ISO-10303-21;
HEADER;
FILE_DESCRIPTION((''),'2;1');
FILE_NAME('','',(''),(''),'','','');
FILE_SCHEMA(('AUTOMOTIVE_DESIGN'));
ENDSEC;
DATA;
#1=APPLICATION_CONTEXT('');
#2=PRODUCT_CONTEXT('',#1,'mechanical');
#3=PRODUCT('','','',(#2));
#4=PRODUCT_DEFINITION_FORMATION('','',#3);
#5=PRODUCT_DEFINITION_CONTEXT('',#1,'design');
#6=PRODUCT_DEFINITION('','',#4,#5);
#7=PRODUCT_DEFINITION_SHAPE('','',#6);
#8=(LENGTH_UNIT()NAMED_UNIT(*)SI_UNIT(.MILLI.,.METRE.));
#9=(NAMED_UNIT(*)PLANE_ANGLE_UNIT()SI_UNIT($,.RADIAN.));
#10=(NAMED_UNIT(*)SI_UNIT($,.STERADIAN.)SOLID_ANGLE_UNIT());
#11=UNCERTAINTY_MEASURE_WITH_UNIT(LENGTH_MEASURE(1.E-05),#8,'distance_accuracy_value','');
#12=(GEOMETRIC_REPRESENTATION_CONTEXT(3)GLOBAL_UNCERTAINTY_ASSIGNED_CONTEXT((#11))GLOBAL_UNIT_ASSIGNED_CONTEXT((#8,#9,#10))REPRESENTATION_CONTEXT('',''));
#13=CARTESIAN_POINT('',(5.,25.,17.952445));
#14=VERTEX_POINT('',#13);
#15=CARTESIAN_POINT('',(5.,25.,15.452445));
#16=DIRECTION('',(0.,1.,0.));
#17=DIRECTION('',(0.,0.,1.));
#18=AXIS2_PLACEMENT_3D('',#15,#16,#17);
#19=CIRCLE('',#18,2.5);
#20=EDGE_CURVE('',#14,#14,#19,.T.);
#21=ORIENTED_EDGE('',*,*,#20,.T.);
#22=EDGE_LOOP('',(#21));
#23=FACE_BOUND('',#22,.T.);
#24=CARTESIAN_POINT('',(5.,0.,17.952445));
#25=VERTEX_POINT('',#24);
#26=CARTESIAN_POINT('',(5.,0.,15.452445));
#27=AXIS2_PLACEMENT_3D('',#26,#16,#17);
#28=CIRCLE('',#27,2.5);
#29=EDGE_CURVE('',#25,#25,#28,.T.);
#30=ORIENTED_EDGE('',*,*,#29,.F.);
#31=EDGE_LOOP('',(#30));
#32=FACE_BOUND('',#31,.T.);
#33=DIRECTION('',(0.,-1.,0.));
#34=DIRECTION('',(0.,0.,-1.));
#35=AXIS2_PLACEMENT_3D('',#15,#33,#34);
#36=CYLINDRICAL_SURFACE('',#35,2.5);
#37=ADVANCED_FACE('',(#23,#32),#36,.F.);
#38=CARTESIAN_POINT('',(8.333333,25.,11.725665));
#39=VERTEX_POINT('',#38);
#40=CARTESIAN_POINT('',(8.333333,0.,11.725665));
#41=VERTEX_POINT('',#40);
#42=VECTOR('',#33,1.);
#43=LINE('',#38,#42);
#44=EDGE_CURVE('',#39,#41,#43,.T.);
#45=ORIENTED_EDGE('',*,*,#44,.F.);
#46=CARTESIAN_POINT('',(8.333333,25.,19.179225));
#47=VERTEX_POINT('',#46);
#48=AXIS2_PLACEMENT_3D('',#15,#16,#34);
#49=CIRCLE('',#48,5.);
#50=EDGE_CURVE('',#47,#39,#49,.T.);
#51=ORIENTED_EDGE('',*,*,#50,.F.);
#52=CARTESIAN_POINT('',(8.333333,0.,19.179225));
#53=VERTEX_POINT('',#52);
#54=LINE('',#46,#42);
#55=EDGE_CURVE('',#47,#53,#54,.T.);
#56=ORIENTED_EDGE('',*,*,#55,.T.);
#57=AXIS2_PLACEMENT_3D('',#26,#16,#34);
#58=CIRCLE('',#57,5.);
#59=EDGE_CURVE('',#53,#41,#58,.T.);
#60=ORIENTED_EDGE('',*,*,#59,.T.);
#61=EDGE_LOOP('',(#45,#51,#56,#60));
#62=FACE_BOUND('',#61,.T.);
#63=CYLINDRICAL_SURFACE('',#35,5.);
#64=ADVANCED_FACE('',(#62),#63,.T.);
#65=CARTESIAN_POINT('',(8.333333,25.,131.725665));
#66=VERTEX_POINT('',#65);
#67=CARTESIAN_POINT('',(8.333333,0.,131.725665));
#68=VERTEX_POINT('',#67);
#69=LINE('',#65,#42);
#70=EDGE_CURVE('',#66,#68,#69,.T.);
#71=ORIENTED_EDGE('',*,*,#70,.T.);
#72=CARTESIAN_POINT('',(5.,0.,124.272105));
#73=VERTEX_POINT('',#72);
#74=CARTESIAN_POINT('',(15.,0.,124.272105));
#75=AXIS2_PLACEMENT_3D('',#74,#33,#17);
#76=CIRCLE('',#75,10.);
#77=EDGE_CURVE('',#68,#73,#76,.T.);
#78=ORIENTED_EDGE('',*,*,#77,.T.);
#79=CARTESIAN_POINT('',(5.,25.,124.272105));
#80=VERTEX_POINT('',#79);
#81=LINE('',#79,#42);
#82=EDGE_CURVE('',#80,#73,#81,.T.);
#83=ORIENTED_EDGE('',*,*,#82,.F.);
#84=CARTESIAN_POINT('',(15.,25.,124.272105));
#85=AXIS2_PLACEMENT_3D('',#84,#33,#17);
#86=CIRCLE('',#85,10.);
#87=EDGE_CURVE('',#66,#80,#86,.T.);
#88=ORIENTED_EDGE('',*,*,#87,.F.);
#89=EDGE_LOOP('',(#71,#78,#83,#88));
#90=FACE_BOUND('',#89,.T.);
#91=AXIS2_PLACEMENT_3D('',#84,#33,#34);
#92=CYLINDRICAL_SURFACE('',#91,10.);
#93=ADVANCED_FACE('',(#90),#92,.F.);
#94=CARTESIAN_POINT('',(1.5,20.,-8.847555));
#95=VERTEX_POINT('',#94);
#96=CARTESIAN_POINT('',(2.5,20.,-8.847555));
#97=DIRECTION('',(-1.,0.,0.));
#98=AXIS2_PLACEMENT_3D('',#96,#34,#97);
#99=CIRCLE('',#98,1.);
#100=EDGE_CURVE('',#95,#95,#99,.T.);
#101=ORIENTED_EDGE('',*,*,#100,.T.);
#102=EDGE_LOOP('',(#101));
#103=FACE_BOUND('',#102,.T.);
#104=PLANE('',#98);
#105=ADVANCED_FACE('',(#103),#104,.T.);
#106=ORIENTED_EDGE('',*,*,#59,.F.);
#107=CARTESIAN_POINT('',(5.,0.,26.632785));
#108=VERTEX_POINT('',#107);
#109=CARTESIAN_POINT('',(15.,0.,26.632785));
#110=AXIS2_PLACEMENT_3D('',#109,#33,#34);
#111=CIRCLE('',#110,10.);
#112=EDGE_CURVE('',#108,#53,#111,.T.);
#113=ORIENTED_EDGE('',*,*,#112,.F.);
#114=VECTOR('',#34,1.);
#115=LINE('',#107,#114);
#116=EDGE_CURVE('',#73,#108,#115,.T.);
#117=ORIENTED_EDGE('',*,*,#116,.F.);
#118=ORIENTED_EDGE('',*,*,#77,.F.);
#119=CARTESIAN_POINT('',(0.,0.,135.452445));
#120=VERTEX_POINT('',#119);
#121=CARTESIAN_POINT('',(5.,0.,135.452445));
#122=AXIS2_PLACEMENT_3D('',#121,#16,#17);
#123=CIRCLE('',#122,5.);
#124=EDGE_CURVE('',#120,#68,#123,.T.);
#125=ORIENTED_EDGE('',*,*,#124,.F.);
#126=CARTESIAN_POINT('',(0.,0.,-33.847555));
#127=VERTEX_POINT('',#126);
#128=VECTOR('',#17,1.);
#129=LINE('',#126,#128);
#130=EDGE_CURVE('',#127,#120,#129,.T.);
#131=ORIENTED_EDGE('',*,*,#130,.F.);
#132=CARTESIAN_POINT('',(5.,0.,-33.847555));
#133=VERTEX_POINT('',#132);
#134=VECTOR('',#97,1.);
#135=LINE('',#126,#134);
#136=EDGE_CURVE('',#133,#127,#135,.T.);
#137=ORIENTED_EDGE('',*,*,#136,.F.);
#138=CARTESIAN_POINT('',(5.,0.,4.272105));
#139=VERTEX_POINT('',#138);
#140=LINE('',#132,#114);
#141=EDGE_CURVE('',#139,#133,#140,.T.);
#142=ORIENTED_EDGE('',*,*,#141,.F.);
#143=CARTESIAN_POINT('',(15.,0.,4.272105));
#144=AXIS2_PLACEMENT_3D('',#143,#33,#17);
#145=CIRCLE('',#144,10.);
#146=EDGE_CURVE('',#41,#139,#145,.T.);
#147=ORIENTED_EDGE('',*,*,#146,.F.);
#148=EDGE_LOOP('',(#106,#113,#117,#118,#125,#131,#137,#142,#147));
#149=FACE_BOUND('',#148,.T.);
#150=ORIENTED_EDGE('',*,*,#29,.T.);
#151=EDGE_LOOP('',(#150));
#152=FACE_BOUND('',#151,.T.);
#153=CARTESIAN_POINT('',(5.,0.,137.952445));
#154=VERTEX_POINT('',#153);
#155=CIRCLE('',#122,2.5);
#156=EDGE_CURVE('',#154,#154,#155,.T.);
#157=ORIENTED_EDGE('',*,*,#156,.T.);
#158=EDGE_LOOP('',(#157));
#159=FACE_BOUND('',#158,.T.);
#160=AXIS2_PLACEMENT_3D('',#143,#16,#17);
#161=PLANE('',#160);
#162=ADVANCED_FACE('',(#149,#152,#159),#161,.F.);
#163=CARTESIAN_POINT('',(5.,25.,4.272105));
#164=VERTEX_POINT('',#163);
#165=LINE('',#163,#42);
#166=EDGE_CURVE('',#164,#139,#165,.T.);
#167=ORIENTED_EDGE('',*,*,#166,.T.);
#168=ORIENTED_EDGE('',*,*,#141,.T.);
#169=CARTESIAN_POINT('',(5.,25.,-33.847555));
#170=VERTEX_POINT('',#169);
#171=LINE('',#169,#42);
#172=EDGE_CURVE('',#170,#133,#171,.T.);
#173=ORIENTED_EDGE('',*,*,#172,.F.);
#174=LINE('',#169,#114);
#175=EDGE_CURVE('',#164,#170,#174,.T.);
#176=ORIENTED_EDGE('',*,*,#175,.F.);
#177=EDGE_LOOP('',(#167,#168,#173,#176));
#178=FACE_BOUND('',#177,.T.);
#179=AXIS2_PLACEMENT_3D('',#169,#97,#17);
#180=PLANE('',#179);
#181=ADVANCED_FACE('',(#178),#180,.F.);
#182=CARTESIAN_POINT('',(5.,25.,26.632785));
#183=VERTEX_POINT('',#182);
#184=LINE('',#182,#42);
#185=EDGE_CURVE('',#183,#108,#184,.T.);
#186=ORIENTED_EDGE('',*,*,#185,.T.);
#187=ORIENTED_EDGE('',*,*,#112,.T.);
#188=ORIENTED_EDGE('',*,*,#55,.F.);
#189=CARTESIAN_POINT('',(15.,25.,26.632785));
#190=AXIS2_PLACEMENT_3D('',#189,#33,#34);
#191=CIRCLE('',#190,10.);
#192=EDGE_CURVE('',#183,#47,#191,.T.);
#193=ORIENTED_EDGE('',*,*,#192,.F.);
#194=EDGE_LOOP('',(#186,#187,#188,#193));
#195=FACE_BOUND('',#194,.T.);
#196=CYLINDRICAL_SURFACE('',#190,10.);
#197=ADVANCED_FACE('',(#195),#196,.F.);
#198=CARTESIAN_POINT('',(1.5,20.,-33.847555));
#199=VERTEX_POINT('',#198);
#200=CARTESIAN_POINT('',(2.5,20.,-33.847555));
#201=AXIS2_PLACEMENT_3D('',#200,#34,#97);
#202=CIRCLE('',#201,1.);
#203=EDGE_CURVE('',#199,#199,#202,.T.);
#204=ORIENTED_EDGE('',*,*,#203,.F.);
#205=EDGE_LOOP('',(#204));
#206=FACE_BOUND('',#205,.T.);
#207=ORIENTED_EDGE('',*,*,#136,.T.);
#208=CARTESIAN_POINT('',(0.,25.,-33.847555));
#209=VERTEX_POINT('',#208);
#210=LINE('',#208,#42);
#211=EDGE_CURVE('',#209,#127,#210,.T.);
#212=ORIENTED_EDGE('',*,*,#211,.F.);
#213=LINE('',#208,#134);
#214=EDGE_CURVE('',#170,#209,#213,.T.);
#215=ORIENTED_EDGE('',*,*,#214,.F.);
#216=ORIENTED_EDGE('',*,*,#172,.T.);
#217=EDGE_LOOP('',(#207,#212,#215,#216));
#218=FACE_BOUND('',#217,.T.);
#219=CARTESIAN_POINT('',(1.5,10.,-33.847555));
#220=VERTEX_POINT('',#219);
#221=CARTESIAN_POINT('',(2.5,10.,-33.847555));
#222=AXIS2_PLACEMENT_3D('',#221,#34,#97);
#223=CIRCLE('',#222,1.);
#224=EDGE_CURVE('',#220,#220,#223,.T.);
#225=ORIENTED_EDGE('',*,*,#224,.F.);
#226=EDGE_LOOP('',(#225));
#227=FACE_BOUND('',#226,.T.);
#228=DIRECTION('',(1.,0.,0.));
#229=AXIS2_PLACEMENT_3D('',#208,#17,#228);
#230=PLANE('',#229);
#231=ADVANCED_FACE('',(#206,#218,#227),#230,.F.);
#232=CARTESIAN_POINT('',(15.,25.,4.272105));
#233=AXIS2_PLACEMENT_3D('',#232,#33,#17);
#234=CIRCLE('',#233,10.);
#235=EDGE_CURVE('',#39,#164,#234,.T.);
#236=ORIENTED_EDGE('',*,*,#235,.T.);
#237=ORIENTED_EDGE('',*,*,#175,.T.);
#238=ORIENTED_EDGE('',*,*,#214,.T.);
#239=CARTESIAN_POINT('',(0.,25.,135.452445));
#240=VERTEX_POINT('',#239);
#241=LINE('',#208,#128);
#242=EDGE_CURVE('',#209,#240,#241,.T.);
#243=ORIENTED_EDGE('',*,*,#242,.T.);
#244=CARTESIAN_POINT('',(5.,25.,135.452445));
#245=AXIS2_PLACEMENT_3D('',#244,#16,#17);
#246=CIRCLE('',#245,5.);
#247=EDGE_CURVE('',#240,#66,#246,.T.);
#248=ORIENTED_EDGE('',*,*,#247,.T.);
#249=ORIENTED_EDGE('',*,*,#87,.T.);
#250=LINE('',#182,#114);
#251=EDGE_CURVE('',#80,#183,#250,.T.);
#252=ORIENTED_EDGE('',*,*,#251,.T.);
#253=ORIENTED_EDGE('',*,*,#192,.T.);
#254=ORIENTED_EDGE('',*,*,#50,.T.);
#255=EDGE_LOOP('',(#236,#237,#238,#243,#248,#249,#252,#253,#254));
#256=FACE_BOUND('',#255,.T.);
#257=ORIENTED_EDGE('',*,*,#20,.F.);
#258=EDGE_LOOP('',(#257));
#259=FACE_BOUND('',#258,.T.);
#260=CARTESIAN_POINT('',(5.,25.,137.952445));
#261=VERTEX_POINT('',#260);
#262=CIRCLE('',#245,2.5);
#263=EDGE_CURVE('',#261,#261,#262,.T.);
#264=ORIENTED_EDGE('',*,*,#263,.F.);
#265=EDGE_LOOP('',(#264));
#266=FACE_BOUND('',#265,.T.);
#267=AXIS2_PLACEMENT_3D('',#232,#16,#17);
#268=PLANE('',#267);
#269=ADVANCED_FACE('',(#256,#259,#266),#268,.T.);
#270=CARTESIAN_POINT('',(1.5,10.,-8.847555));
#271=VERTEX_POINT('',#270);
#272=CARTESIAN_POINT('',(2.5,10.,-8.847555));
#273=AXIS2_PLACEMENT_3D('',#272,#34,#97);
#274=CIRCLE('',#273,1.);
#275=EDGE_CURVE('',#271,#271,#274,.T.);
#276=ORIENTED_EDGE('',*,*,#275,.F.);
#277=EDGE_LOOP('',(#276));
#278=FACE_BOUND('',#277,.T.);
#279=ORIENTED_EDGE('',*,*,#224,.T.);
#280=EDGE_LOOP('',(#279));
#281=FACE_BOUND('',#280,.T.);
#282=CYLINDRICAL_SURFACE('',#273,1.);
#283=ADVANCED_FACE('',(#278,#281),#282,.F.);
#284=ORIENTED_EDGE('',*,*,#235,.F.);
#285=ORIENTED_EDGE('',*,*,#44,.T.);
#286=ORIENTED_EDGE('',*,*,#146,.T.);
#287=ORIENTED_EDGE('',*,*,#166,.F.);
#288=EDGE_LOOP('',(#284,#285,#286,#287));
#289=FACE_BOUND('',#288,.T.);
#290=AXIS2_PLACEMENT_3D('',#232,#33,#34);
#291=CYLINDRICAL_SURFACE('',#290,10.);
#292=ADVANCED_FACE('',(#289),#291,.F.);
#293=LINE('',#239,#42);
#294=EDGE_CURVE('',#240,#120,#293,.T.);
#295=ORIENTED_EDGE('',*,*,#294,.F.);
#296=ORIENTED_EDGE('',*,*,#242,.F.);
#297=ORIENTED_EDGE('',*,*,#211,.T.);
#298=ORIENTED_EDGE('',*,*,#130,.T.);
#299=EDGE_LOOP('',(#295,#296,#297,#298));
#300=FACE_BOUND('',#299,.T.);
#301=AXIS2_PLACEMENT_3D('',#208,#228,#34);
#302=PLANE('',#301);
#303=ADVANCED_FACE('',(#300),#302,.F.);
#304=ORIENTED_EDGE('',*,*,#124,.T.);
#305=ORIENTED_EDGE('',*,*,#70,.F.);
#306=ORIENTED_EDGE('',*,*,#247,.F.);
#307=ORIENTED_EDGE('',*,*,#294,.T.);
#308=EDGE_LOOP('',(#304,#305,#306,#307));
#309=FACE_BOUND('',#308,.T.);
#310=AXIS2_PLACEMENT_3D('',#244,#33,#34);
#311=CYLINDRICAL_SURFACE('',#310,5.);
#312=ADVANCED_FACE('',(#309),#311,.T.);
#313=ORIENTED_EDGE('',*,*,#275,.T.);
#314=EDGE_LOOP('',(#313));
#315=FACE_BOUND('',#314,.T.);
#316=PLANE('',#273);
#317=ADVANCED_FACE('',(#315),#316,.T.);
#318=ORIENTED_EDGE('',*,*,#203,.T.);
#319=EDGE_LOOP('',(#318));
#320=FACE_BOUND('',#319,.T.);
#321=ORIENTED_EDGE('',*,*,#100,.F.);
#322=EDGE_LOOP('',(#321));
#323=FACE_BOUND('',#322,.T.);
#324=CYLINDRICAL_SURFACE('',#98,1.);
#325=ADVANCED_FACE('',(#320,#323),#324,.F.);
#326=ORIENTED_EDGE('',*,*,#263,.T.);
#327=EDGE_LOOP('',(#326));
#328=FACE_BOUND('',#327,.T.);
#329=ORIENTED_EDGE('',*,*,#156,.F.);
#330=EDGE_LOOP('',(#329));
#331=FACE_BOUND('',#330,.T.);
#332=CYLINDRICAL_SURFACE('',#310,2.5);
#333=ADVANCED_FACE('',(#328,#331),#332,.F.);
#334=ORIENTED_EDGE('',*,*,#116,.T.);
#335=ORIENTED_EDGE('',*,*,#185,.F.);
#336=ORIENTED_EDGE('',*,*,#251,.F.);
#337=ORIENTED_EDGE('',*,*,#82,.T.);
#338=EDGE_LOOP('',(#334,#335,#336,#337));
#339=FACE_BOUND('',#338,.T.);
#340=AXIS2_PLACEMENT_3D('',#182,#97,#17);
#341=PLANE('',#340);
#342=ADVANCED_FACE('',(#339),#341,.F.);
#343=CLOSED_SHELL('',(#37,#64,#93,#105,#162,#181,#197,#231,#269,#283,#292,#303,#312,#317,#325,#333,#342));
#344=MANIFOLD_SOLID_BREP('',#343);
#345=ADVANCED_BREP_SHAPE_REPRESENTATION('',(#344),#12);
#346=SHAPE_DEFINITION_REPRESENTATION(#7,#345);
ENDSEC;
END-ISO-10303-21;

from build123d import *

# Parameters (mm, degrees)
SKETCH2_R           = 2.5
BOSS_EXTRUDE1_DEPTH = 25
SKETCH3_R           = 1
CUT_EXTRUDE1_DEPTH  = 25


with BuildPart() as part:
    # Sketch2 → Boss-Extrude1 (new body)
    with BuildSketch(Plane(origin=(0, 0, 0), x_dir=(1, 0, 0), z_dir=(0, 1, 0))):
        with BuildLine():
            Line((0, 33.847554993), (0, -135.452445007))
            ThreePointArc((0, -135.452445007), (7.041241452, -140.016799653), (8.333333333, -131.725665044))
            ThreePointArc((8.333333333, -131.725665044), (5.871290708, -128.354588024), (5, -124.272105119))
            Line((5, -124.272105119), (5, -26.632784894))
            ThreePointArc((5, -26.632784894), (5.871290708, -22.55030199), (8.333333333, -19.179224969))
            ThreePointArc((8.333333333, -19.179224969), (10, -15.452445007), (8.333333333, -11.725665044))
            ThreePointArc((8.333333333, -11.725665044), (5.871290708, -8.354588024), (5, -4.272105119))
            Line((5, -4.272105119), (5, 33.847554993))
            Line((5, 33.847554993), (0, 33.847554993))
        make_face()
        with Locations(Location((5, -15.452445007, 0), (0, 0, 270))):
            Circle(SKETCH2_R, mode=Mode.SUBTRACT)
        with Locations(Location((5, -135.452445007, 0), (0, 0, 270))):
            Circle(SKETCH2_R, mode=Mode.SUBTRACT)
    extrude(amount=BOSS_EXTRUDE1_DEPTH)

    # Sketch3 → Cut-Extrude1 (cut)
    with BuildSketch(Plane(origin=(0, 0, -33.847554993), x_dir=(-1, 0, 0), z_dir=(0, 0, -1))):
        with Locations((-2.5, 10)):
            Circle(SKETCH3_R)
        with Locations((-2.5, 20)):
            Circle(SKETCH3_R)
    extrude(amount=-CUT_EXTRUDE1_DEPTH, mode=Mode.SUBTRACT)


solid = part.part
